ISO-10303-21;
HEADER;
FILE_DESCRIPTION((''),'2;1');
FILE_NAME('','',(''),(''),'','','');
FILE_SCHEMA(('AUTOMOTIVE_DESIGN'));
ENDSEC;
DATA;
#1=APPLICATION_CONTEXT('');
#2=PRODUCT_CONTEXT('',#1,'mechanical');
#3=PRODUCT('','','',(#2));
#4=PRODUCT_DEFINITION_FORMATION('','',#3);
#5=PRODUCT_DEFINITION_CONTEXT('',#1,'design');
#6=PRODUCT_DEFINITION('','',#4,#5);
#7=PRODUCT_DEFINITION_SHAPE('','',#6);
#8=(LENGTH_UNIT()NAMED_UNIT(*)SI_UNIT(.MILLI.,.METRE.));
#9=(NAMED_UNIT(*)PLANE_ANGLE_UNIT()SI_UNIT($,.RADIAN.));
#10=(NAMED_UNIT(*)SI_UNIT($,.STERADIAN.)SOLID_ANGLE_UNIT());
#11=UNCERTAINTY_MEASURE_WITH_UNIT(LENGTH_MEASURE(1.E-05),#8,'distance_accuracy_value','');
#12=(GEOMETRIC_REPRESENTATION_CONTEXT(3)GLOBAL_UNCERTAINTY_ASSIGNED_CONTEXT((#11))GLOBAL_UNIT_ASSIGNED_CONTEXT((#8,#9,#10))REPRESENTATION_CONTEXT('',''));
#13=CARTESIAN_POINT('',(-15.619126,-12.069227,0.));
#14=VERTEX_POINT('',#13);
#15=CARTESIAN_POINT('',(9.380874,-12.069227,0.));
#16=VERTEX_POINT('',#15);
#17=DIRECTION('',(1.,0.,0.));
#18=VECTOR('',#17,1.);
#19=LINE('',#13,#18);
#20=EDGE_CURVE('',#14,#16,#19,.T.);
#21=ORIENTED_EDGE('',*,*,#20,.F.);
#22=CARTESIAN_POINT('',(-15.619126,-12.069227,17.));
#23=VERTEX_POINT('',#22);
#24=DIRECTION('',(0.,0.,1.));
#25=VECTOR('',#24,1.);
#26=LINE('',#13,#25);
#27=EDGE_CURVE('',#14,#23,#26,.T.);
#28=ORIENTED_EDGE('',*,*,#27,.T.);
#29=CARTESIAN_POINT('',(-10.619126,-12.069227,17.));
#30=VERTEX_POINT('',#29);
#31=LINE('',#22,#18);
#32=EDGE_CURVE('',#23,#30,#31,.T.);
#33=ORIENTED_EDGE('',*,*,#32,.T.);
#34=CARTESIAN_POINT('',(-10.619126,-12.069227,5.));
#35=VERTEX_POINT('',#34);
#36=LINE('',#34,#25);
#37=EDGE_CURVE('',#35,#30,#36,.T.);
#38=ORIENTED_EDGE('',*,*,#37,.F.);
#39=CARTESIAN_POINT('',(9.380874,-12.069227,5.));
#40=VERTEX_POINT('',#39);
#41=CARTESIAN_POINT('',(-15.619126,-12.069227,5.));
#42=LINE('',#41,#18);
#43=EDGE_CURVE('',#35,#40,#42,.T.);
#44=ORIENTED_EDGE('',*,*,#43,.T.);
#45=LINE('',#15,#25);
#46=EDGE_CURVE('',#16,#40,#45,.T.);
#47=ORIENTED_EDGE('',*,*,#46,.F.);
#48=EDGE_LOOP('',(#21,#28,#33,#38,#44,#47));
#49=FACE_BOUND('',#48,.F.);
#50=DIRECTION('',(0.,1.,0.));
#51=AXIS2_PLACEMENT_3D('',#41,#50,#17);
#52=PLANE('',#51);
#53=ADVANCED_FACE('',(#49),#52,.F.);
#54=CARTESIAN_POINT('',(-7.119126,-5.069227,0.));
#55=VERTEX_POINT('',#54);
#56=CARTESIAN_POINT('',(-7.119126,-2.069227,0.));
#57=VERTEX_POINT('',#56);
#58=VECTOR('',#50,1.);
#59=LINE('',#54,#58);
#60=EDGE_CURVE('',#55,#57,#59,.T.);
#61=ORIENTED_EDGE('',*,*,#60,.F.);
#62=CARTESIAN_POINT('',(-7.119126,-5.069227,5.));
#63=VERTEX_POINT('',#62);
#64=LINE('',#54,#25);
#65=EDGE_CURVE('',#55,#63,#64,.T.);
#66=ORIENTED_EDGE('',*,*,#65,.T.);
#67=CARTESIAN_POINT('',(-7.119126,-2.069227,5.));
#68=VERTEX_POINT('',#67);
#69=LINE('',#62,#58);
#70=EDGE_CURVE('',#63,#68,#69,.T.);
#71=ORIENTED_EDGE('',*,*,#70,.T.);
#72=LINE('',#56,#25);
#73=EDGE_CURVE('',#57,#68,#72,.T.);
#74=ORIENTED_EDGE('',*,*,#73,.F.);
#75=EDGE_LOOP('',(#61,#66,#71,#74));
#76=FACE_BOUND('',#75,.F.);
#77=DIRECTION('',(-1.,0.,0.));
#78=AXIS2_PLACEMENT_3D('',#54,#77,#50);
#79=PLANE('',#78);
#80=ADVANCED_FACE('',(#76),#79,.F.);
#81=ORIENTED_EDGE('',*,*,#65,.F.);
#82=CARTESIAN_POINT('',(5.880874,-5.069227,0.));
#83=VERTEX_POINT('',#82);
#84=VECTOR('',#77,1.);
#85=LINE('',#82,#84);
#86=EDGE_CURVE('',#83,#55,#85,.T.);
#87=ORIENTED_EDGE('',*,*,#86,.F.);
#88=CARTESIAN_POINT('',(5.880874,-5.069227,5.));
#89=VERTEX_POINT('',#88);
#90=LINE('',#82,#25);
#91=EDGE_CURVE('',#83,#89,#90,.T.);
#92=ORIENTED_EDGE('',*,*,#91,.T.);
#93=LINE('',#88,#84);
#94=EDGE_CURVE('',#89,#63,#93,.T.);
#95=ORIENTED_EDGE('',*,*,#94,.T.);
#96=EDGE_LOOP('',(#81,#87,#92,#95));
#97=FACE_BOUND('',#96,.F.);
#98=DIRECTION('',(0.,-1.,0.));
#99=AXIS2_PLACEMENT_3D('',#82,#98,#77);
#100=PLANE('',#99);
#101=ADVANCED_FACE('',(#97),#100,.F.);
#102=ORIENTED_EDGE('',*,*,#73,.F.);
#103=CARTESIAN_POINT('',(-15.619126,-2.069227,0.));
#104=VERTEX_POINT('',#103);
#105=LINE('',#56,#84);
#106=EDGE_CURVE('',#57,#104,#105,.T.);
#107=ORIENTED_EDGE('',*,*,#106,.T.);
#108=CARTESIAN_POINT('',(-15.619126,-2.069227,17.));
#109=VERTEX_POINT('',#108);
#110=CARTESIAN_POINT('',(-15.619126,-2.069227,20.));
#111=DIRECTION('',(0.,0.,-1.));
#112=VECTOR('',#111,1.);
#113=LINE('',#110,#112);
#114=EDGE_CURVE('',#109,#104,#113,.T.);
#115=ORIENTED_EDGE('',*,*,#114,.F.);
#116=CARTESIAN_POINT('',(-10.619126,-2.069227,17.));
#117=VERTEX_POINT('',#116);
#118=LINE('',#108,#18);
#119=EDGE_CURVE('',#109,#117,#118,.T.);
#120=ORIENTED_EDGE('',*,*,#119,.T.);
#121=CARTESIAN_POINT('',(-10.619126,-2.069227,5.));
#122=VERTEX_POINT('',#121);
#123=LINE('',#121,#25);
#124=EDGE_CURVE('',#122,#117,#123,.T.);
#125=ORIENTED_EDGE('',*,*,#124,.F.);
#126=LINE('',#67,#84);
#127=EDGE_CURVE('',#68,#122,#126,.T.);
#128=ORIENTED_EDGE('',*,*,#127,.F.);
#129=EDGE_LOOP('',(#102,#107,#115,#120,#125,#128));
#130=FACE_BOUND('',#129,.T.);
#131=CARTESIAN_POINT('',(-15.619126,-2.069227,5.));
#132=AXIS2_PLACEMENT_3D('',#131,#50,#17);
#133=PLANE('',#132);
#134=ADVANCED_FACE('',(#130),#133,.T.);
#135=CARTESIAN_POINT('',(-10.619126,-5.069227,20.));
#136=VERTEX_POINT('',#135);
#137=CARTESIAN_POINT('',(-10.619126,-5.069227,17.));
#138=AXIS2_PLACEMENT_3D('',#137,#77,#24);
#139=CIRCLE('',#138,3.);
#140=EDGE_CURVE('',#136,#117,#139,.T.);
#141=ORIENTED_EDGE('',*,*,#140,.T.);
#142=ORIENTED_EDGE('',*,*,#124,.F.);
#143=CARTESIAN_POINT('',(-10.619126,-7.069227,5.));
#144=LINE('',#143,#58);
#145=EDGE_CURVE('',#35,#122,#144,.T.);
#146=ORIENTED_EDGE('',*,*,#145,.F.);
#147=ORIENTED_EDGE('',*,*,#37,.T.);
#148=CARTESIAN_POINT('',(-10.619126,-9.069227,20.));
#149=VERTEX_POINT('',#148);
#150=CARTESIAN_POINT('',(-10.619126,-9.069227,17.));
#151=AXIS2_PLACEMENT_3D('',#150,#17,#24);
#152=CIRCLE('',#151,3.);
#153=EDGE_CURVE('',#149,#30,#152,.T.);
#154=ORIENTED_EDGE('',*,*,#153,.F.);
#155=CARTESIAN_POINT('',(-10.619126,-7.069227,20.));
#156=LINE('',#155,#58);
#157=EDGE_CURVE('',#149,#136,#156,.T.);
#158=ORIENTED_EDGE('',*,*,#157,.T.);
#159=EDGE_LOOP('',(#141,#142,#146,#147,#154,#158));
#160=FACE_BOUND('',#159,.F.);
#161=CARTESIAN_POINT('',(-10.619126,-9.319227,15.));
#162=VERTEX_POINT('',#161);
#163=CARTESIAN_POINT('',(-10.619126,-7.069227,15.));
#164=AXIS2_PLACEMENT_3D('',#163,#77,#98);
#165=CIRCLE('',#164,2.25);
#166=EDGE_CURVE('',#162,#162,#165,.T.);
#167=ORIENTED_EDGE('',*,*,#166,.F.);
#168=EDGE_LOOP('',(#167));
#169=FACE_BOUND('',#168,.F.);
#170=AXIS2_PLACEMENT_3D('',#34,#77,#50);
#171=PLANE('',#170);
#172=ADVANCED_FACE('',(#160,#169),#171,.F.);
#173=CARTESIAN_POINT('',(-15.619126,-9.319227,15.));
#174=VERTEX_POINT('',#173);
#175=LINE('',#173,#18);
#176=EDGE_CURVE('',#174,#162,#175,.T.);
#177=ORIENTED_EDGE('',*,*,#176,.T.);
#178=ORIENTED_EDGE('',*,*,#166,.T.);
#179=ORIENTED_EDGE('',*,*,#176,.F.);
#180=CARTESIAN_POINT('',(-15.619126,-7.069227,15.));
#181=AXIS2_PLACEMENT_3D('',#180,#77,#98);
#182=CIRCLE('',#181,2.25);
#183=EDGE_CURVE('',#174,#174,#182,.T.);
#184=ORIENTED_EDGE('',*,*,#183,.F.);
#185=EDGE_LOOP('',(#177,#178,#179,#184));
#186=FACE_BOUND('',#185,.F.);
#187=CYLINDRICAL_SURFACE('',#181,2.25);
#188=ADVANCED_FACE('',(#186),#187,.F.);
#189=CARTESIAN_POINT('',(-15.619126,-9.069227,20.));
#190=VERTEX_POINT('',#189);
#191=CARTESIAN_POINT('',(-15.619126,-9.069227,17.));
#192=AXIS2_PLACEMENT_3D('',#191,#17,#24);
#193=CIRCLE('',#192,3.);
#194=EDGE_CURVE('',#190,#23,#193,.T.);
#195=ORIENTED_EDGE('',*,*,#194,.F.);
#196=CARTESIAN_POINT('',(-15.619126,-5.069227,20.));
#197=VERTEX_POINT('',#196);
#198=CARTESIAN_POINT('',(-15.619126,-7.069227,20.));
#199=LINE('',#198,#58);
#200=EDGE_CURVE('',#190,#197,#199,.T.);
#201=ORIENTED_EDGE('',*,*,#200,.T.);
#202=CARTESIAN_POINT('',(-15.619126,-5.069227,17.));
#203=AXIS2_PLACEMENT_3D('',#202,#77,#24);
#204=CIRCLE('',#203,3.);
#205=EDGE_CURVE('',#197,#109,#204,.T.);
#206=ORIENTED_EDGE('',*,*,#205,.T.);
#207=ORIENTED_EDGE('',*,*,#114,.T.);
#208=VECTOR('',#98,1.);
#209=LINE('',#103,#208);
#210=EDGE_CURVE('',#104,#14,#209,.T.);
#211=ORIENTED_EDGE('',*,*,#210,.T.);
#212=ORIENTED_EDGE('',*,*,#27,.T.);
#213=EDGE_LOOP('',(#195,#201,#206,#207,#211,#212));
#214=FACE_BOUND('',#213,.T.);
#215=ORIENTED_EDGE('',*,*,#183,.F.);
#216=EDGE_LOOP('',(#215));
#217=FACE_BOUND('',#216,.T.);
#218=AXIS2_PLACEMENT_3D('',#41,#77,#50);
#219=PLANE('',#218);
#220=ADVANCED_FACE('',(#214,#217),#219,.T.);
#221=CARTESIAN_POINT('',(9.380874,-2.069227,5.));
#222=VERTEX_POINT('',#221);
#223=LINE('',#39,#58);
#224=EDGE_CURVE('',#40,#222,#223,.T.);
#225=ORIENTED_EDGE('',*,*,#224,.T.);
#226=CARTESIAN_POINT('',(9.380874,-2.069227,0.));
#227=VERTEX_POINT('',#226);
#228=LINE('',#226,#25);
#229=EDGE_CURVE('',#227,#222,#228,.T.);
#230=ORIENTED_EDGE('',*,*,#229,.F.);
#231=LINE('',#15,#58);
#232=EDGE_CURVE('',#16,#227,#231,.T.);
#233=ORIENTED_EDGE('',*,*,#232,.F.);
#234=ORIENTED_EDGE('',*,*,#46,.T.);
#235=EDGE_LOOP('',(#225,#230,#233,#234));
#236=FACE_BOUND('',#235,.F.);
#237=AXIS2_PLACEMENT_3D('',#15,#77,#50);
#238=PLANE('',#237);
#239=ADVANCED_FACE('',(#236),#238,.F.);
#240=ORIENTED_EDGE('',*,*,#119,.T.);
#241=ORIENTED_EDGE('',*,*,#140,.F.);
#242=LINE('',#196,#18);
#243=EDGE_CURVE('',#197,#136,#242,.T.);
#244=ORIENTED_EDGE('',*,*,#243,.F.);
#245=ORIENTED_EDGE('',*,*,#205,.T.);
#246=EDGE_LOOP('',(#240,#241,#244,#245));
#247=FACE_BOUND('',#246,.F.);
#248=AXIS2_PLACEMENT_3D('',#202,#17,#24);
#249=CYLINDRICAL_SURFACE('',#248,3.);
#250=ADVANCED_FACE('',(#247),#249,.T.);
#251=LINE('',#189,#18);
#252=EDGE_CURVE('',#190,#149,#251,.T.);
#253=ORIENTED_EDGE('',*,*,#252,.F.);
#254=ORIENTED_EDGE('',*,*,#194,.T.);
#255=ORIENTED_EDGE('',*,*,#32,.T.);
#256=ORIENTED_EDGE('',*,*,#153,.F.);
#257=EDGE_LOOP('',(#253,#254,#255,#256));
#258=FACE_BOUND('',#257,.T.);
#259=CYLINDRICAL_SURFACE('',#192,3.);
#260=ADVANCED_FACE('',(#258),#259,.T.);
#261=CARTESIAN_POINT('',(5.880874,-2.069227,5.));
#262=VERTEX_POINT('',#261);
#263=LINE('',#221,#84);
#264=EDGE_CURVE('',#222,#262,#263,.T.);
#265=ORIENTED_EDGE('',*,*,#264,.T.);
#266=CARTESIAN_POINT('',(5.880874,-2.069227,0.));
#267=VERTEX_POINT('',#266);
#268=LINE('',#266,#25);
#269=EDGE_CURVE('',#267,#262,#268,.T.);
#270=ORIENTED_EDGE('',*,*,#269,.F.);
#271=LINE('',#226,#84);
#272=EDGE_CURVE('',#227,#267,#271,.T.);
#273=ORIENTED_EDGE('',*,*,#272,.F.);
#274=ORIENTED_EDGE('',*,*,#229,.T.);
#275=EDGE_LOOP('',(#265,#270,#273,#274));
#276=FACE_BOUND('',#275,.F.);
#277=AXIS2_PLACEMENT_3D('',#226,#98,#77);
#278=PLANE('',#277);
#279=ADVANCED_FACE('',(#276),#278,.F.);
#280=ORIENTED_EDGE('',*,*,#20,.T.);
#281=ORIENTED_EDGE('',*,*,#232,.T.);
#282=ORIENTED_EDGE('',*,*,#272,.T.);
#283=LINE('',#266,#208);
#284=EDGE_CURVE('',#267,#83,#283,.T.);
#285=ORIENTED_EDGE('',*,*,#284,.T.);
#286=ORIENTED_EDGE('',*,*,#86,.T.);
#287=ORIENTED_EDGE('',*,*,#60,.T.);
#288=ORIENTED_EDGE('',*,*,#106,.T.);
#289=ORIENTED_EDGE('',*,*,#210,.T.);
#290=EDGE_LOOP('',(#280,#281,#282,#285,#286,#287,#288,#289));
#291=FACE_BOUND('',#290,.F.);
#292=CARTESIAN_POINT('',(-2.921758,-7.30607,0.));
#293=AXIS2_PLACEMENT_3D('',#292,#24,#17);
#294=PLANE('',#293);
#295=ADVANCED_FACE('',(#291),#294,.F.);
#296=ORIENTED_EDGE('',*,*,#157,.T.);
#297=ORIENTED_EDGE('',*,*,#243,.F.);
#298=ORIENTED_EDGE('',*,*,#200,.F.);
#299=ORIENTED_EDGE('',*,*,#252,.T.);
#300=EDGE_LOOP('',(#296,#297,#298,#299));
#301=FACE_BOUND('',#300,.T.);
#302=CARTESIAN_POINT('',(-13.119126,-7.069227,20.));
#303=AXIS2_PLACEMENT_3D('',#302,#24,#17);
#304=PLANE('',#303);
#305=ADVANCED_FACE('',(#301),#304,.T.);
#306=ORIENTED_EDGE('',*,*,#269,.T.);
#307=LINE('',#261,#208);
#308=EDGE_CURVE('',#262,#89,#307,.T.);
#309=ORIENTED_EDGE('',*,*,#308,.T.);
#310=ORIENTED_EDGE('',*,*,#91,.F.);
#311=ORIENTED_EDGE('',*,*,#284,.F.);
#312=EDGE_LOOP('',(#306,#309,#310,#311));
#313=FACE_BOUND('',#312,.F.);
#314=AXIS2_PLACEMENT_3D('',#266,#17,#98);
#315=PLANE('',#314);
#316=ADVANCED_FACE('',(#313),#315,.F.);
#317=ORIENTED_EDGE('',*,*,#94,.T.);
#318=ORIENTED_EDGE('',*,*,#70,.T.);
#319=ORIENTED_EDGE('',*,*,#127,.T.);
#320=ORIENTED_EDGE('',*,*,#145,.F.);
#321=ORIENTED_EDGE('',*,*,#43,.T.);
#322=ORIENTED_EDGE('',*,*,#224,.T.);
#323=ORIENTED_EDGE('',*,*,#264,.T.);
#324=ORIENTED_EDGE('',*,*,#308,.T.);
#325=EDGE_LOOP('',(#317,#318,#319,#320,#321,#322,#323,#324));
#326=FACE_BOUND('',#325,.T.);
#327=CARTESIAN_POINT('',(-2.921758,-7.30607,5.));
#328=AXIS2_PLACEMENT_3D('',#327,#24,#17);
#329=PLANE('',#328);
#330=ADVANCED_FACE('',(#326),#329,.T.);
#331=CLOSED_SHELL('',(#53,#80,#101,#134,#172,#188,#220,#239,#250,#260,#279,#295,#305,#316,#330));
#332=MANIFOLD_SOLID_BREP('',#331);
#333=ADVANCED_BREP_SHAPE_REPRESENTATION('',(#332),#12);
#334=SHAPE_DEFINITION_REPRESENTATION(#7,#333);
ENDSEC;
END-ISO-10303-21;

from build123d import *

# Parameters (mm, degrees)
F1_DEPTH = 5
F2_W     = 5
F2_H     = 10
F3_DEPTH = 15
F4_R     = 2.25
F5_DEPTH = 25
F6_R     = 3


with BuildPart() as f1:
    # F0 (on Top) → F1 (new body)
    with BuildSketch(Plane.XY):
        Polygon((-15.6191263039, -2.0692273974), (-15.6191263039, -12.0692273974), (9.3808736961, -12.0692273974), (9.3808736961, -2.0692273974), (5.8808736961, -2.0692273974), (5.8808736961, -5.0692273974), (-7.1191263039, -5.0692273974), (-7.1191263039, -2.0692273974), align=None)
    extrude(amount=F1_DEPTH)

    # F2 (on face) → F3 (join)
    with BuildSketch(Plane.XY.offset(5)):
        with Locations((-13.1191263039, -7.0692273974)):
            Rectangle(F2_W, F2_H)
    extrude(amount=F3_DEPTH)

    # F4 (on face) → F5 (cut)
    with BuildSketch(Plane(origin=(-15.6191263039, 0, 0), x_dir=(0, -1, 0), z_dir=(-1, 0, 0))):
        with Locations((7.0692273974, 15)):
            Circle(F4_R)
    extrude(amount=-F5_DEPTH, mode=Mode.SUBTRACT)

    # F6
    f6_edges = [f1.edges().sort_by_distance(p)[0] for p in [
        (-13.119126, -12.069227, 20),
        (-13.119126, -2.069227, 20),
    ]]
    fillet(f6_edges, radius=F6_R)


solid = f1.part
